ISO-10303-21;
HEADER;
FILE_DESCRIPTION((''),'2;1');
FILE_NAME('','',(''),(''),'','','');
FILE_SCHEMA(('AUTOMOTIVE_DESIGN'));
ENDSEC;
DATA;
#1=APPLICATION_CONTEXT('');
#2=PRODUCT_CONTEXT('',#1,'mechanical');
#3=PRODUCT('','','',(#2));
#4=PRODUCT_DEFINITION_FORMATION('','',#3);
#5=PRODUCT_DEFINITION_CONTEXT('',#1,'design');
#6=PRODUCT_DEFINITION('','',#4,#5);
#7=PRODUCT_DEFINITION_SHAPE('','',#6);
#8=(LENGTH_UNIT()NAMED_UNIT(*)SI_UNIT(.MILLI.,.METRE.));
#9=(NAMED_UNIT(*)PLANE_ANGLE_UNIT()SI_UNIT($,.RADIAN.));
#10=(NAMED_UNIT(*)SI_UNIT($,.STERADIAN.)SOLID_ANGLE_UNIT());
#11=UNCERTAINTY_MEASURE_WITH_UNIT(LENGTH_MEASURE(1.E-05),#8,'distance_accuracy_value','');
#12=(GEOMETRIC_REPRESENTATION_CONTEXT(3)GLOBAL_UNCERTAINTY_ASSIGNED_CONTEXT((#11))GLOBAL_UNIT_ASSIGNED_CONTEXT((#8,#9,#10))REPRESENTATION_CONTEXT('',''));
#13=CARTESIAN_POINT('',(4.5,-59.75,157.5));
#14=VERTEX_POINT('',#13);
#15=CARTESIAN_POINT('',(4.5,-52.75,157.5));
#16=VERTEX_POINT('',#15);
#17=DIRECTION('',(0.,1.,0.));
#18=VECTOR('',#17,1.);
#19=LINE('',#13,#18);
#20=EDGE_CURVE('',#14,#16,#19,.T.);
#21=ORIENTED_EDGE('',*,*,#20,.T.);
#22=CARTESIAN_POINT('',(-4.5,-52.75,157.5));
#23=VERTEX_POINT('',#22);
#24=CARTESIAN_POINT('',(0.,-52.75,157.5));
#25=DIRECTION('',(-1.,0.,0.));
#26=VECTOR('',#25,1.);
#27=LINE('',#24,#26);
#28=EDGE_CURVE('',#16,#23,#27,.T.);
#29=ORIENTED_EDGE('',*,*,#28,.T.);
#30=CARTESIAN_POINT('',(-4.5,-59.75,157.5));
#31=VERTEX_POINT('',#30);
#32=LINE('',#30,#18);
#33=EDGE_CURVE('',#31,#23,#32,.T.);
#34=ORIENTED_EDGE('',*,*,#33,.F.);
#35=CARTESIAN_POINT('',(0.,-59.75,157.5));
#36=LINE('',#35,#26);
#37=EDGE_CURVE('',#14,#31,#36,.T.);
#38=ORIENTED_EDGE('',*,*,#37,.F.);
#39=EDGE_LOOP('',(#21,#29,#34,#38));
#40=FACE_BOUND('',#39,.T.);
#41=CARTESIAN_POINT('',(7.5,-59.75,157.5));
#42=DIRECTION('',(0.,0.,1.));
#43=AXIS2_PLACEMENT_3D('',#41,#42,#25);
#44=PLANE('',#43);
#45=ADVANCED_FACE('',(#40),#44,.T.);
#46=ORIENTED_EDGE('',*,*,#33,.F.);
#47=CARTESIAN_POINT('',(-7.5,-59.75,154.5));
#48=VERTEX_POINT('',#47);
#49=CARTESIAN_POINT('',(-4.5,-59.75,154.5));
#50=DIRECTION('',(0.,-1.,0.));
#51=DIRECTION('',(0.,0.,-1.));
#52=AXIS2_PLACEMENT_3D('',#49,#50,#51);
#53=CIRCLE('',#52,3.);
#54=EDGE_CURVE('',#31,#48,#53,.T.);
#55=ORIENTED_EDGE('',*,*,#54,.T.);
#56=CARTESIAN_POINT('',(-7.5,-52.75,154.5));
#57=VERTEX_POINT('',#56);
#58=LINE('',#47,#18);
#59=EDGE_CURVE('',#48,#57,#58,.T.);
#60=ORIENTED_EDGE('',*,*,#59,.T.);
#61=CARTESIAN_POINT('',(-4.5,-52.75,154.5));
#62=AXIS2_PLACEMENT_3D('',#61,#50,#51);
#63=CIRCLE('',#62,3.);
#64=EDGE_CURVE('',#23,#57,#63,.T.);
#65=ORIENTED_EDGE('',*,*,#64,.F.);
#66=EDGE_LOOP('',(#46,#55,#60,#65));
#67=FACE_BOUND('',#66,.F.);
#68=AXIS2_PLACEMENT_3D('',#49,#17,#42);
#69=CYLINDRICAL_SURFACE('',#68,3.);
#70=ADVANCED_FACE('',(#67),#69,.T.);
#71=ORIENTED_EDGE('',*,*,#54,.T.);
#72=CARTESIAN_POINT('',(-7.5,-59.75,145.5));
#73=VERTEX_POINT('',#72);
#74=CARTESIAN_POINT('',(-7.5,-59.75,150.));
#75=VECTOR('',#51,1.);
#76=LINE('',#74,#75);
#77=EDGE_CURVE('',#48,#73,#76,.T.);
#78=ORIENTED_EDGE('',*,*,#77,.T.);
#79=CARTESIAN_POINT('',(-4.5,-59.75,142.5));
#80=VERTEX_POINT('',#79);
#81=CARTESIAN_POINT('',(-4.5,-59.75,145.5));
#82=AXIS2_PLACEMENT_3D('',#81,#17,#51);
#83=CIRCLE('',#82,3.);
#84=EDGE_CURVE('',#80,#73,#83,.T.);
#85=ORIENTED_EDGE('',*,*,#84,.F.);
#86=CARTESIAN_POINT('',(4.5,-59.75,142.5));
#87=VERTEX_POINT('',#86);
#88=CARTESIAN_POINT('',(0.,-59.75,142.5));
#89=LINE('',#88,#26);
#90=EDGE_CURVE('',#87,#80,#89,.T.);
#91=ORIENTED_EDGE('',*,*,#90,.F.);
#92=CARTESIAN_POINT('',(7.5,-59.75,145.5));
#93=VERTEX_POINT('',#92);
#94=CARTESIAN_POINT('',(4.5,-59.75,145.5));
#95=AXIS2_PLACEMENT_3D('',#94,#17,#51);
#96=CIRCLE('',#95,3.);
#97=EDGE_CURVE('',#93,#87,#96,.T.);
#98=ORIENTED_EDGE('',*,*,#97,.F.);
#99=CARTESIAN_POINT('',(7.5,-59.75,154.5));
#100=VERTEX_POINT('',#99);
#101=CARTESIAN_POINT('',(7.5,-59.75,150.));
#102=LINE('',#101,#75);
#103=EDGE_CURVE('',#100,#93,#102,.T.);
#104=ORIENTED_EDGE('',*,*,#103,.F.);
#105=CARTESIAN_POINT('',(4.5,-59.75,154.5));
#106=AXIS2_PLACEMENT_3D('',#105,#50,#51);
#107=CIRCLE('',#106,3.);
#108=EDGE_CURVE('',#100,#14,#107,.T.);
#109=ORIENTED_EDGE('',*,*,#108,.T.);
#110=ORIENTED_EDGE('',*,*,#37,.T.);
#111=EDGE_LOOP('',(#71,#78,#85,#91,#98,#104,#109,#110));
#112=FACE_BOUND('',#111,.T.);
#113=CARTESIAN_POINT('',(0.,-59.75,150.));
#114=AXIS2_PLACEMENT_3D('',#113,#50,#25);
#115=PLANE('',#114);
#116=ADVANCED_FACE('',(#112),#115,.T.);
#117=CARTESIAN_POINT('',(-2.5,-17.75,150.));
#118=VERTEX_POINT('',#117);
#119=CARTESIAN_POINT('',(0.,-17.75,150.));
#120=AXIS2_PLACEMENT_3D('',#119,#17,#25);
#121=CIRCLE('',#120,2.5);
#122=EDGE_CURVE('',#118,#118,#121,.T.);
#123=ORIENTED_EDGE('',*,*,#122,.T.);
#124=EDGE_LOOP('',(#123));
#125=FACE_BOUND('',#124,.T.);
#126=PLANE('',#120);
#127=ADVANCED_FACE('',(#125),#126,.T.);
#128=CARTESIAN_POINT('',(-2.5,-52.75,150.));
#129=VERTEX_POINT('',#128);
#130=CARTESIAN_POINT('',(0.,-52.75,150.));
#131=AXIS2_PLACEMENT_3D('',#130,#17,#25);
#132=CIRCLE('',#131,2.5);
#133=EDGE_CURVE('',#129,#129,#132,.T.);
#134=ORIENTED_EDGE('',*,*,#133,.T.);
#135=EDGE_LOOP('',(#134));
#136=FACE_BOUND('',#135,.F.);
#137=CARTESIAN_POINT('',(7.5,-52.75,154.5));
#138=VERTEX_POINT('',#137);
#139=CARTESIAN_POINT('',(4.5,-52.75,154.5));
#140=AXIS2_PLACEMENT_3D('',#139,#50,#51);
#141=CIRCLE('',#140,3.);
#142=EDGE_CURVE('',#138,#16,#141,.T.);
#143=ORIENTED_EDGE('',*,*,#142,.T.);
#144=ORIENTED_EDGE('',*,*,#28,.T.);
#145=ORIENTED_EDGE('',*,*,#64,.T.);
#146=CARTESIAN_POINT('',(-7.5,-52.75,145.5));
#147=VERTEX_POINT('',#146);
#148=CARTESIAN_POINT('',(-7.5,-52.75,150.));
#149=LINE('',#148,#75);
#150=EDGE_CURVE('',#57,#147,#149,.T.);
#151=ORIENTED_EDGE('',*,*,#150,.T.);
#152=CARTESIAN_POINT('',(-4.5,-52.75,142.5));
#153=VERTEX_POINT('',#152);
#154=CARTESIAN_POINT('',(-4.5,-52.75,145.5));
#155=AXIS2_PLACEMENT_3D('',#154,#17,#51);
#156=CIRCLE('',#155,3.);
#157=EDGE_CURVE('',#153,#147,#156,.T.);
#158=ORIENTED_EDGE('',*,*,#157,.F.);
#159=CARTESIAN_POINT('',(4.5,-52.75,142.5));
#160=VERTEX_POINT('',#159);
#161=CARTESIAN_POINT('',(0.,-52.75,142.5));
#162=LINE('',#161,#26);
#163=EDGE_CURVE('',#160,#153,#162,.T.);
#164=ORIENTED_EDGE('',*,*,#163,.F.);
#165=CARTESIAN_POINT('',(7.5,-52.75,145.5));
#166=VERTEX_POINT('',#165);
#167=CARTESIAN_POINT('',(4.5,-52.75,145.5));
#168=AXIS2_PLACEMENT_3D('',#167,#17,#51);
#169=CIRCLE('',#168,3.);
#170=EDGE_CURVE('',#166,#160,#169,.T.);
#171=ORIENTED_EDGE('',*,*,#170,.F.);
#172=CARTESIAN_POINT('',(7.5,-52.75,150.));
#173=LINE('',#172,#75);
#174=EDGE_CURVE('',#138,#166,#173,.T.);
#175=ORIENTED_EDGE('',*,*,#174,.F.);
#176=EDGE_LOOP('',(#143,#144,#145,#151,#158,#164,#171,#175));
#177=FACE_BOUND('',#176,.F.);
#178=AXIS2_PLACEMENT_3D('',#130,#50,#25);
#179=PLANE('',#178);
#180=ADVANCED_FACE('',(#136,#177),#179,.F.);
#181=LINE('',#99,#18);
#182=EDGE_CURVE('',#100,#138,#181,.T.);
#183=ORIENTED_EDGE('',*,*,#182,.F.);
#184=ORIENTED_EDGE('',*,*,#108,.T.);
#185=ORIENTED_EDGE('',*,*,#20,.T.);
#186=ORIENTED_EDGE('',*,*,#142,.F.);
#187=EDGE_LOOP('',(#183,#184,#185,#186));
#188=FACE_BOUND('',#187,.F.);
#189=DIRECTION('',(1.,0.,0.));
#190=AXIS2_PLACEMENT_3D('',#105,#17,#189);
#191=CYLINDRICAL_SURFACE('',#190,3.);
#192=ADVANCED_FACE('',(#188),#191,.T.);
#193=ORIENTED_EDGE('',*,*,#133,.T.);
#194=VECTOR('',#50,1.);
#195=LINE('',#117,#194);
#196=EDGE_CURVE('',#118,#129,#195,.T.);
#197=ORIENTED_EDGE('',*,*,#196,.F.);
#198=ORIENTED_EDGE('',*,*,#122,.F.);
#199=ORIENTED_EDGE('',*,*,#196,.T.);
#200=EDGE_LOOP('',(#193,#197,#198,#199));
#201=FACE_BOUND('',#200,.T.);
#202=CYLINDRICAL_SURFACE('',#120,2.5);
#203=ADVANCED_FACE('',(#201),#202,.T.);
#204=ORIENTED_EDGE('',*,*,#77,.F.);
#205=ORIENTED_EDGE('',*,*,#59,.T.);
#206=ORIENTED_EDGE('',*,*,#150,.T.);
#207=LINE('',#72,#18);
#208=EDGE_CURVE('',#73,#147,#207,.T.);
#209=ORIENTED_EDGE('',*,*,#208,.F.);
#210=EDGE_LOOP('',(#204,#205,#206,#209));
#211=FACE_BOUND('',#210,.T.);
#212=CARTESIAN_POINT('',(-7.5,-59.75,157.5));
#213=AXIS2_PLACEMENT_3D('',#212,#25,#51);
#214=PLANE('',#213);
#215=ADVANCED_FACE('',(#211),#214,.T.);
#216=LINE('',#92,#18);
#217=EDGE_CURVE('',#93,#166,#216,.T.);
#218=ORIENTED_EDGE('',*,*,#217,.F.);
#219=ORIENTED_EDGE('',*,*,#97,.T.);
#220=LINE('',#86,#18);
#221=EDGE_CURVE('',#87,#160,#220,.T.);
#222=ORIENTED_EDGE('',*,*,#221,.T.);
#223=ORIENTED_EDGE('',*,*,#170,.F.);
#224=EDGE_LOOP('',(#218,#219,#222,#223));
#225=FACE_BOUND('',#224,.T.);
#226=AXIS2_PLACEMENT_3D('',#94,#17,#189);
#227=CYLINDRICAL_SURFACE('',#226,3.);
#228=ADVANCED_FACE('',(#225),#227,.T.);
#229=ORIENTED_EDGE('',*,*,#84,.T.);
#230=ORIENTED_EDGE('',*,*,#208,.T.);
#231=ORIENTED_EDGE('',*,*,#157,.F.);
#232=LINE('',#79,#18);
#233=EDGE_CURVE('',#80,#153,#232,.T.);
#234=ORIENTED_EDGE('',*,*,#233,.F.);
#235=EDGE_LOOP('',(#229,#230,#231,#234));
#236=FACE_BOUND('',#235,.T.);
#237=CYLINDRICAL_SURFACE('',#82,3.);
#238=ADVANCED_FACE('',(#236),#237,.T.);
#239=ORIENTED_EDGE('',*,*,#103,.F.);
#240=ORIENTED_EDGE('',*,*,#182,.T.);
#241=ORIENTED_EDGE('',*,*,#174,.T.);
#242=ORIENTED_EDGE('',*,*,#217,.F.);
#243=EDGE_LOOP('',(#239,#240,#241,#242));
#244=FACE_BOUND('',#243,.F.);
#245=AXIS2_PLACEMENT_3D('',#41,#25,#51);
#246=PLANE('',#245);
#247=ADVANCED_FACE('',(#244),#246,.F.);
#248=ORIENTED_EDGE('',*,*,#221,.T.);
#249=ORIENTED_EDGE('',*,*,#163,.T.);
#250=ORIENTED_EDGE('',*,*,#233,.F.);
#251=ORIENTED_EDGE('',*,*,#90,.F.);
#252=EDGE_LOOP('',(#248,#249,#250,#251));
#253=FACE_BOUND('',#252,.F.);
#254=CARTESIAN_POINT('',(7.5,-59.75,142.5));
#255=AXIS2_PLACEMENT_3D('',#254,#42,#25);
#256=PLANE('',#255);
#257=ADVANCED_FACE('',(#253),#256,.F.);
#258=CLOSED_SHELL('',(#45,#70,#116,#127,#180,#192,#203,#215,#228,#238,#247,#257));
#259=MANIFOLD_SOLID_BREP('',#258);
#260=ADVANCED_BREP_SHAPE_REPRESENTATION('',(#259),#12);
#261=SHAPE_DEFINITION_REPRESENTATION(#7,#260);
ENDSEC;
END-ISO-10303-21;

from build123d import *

# Parameters (mm, degrees)
SKETCH143_R             = 2.5
PAD073_DEPTH            = 42
SKETCH142_W             = 15
SKETCH142_H             = 15
PAD074_DEPTH            = 7
FILLET002_R             = 3
BODY042_PLACEMENT_ANGLE = 180


with BuildPart() as part:
    # Sketch143 → Pad073 (new body)
    with BuildSketch(Plane.XZ):
        Circle(SKETCH143_R)
    extrude(amount=-PAD073_DEPTH)

    # Sketch142 (on Face3 of Pad073) → Pad074 (join)
    with BuildSketch(Plane(origin=(0, 42, 0), x_dir=(1, 0, 0), z_dir=(0, 1, 0))):
        Rectangle(SKETCH142_W, SKETCH142_H)
    extrude(amount=-PAD074_DEPTH)

    # Fillet002
    fillet002_edges = [part.edges().sort_by_distance(p)[0] for p in [
        (7.5, 38.5, -7.5),
        (7.5, 38.5, 7.5),
        (-7.5, 38.5, 7.5),
        (-7.5, 38.5, -7.5),
    ]]
    fillet(fillet002_edges, radius=FILLET002_R)


with BuildPart() as part_1:
    # Body042 placement: moved
    add(part.part.moved(Location((0, -17.75, 150))).rotate(Axis((0, -17.75, 150), (0, 0, 1)), BODY042_PLACEMENT_ANGLE))


solid = part_1.part
